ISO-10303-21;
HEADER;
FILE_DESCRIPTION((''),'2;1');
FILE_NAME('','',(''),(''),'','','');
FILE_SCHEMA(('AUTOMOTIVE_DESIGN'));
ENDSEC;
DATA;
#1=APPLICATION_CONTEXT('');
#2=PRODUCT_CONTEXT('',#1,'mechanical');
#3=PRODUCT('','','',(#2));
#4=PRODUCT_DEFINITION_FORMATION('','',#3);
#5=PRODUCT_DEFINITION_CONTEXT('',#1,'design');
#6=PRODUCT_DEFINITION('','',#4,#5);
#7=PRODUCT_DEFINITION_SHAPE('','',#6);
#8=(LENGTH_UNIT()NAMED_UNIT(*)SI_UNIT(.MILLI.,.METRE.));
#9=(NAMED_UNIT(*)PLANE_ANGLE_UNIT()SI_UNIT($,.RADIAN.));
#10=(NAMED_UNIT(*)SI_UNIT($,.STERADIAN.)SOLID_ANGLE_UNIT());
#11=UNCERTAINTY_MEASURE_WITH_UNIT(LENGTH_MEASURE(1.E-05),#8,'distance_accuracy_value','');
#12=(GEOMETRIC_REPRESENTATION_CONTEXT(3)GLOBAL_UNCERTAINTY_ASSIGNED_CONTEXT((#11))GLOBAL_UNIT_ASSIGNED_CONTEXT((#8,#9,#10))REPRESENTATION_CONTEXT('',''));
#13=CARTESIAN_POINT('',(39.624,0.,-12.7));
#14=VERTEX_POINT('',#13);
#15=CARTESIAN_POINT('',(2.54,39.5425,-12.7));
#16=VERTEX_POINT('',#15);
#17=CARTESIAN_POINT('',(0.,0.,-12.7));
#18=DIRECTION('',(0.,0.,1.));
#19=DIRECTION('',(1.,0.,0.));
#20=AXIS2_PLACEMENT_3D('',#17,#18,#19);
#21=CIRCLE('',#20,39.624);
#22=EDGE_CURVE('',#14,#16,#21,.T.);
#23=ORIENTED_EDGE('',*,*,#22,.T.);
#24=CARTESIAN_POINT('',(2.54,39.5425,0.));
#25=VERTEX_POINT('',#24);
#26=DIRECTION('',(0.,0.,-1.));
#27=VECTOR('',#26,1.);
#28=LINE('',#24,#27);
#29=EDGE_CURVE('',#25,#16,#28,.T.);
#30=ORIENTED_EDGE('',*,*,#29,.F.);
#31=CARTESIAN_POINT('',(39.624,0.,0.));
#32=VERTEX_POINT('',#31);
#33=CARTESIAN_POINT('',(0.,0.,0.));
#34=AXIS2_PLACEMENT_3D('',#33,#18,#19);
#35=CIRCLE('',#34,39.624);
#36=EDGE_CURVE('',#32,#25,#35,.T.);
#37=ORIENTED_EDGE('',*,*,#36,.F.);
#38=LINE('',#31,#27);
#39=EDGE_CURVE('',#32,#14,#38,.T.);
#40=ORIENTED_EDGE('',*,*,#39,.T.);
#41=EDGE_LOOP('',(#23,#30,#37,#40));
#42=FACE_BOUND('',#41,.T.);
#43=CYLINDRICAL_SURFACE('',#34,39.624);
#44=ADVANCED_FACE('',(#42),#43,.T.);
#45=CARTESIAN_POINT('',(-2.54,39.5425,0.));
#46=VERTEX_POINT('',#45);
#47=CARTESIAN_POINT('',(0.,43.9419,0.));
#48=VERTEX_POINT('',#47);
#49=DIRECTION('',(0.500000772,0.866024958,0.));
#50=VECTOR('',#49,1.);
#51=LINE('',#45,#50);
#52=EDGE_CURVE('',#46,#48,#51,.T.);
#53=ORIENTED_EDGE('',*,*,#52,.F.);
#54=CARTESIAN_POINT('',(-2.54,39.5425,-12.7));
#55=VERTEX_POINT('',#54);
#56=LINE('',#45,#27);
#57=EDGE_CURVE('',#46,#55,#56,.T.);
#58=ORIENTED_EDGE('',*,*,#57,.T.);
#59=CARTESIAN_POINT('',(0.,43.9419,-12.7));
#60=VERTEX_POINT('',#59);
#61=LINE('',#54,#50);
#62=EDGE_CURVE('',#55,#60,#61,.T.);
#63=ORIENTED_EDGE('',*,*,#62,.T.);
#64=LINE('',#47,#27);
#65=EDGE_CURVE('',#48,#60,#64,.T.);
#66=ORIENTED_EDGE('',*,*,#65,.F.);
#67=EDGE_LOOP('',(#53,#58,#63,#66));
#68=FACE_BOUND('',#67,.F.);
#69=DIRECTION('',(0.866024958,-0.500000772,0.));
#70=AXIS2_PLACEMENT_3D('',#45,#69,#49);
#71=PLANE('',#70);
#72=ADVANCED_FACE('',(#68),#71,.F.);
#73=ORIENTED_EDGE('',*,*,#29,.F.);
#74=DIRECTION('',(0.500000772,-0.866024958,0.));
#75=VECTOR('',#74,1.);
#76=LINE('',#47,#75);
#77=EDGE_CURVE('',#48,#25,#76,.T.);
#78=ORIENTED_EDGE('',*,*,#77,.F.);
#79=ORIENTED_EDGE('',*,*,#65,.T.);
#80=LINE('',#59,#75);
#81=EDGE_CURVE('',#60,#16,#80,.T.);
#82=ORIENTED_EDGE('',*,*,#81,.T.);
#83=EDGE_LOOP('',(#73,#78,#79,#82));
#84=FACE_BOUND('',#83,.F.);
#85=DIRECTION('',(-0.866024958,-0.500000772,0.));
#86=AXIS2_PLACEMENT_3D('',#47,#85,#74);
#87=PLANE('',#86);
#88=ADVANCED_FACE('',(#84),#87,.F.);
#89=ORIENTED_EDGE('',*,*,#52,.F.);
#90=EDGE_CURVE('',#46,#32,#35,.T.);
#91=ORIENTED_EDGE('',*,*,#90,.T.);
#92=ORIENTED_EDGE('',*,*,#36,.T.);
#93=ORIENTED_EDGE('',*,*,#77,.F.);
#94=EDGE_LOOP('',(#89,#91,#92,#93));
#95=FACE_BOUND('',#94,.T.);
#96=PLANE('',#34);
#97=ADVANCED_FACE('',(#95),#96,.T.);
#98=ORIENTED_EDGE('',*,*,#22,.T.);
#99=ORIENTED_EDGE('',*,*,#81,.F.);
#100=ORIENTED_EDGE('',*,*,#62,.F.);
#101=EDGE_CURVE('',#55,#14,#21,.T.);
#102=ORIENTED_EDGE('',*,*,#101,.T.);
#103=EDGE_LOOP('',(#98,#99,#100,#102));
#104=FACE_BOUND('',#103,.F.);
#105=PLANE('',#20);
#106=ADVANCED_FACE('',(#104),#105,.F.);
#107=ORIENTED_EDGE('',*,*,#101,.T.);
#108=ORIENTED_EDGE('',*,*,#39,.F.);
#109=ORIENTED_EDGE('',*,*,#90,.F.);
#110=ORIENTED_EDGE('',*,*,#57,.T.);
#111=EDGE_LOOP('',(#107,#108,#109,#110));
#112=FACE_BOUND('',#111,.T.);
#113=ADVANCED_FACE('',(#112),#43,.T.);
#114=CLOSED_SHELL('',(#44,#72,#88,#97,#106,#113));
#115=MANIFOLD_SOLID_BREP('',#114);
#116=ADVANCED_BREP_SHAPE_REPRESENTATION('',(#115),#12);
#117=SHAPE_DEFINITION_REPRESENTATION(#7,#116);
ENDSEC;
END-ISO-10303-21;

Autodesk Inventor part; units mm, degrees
ref_plane "YZ Plane" through (0, 0, 0) normal (1, 0, 0) x (0, 1, 0)
ref_plane "XZ Plane" through (0, 0, 0) normal (0, 1, 0) x (-1, 0, 0)
ref_plane "XY Plane" through (0, 0, 0) normal (0, 0, 1) x (1, 0, 0)
sketch "Sketch1" plane through (0, 0, 0) normal (0, 0, 1) x (1, 0, 0)
  circle A0 centre (0, 0) radius 39.624
  line L0 (-2.54, 39.5425) -> (0, 43.9419)
  line L1 (0, 43.9419) -> (2.54, 39.5425)
  line L2 (2.54, 39.5425) -> (-2.54, 39.5425)
  dimension "d0" = 79.248
  dimension "d3" = 5.08
extrude "Extrusion1" add sketch "Sketch1" against normal blind 12.7
equation "\"d0\" = 19.812 * scale"
equation "\"d3\" = 1.27 * scale"
equation "\"d1\" = 3.175 * scale"
equation "\"scale\" = 4"
properties part number "18_ref"
